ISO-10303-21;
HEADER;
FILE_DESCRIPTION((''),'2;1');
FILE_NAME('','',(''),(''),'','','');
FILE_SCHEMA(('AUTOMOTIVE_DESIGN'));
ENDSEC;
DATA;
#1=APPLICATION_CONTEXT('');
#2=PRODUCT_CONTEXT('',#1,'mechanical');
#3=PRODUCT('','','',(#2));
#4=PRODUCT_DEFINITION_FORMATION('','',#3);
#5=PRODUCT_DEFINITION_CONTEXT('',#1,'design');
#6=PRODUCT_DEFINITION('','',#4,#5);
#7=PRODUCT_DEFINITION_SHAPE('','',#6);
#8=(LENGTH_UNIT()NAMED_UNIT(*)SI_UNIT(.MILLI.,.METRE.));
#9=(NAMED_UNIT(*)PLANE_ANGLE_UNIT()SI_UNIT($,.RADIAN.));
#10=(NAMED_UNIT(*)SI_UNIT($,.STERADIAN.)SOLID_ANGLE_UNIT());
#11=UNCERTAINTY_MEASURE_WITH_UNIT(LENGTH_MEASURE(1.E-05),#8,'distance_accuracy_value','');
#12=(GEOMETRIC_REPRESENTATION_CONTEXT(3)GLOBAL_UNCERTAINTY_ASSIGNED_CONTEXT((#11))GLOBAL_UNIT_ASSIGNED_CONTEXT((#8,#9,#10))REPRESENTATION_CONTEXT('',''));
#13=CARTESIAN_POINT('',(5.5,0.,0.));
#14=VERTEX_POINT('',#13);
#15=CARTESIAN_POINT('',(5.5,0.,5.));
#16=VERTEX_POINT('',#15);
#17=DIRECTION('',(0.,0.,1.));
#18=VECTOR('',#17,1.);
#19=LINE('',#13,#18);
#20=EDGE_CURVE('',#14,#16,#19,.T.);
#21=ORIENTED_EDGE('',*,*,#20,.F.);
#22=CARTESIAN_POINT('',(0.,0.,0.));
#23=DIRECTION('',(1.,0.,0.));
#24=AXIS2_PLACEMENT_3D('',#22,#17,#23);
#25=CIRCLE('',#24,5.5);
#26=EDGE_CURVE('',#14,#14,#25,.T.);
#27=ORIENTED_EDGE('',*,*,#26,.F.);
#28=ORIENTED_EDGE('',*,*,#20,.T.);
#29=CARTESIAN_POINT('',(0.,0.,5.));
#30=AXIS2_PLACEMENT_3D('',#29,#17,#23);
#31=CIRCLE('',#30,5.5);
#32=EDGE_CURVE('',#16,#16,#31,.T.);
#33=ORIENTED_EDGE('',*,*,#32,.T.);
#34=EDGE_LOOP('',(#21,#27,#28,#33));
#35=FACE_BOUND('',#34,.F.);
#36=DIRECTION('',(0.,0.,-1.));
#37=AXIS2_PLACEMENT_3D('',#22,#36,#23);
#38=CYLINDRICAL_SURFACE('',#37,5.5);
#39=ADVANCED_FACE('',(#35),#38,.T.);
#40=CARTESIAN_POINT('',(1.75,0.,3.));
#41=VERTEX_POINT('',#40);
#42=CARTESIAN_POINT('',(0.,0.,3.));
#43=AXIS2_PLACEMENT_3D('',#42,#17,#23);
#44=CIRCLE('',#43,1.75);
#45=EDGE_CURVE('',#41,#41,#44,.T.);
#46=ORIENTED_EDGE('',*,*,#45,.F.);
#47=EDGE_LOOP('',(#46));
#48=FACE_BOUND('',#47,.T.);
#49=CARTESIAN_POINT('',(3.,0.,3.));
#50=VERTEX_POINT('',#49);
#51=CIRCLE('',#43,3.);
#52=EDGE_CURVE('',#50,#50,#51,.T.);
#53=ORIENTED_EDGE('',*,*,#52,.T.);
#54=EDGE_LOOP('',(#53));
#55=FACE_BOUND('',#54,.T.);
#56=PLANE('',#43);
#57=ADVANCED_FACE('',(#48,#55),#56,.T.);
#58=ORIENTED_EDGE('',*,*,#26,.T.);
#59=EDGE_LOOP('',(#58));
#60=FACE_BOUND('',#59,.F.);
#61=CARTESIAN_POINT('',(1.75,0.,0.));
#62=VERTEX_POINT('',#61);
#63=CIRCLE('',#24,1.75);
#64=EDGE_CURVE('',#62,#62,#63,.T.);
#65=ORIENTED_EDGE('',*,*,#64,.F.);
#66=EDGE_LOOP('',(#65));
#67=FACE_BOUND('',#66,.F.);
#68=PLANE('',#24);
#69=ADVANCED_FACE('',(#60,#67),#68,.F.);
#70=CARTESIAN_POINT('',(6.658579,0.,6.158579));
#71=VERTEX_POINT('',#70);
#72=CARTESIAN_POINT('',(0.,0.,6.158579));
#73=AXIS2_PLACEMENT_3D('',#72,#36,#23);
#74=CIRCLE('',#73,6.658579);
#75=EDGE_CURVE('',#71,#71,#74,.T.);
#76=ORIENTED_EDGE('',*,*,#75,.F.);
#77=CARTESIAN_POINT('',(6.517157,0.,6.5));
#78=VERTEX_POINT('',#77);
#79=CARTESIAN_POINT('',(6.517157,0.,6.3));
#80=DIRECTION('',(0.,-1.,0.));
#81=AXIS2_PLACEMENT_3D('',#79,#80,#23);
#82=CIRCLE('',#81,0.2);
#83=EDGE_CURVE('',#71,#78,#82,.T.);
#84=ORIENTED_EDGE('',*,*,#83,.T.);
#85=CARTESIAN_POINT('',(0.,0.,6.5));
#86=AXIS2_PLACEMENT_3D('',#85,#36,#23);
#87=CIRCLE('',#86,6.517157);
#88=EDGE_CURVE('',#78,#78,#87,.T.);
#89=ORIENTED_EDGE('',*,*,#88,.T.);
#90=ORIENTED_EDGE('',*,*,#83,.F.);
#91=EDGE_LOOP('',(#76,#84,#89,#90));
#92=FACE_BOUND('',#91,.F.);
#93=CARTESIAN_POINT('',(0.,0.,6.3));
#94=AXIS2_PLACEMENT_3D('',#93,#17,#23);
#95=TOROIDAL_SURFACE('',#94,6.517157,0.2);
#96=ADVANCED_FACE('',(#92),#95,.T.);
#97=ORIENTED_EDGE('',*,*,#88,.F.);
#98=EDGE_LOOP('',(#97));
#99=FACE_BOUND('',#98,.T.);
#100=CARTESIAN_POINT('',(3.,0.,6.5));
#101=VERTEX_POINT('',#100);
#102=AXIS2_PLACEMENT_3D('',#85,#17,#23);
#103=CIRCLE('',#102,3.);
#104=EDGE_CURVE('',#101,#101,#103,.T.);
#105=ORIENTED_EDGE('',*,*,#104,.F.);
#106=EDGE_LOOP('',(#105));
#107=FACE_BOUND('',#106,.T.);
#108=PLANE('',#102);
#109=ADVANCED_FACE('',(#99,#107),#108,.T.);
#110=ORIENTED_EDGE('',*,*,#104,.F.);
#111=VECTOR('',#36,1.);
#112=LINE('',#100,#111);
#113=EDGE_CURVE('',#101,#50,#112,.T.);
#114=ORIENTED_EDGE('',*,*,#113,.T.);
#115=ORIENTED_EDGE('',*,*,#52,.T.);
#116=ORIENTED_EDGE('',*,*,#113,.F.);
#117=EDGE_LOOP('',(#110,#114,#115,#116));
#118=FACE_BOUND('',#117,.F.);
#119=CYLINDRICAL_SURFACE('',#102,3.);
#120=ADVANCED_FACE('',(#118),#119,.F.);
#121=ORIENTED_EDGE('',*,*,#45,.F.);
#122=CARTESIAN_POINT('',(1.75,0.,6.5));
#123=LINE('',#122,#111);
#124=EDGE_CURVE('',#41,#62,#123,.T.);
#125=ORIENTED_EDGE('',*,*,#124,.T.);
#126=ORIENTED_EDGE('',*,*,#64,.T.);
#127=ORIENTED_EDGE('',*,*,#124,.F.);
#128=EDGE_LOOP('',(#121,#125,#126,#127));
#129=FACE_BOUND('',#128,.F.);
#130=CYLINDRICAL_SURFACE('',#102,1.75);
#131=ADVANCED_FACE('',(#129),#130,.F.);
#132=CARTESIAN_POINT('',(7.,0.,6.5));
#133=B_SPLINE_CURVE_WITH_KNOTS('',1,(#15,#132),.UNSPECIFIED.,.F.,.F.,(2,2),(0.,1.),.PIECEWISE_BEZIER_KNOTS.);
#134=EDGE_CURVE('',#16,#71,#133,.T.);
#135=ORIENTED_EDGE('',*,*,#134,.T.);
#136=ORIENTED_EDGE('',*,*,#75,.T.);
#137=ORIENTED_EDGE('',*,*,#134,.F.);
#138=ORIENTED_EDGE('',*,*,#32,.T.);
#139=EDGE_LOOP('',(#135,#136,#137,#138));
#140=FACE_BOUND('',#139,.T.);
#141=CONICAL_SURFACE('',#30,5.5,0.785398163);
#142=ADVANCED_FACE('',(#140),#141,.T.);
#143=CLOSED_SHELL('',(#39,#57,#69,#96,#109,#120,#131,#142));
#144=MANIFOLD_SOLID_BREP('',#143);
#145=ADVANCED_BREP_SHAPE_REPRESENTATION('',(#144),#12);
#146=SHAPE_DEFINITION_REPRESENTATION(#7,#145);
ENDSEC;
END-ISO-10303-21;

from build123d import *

# Parameters (mm, degrees)
F0_R      = 5.5
F1_DEPTH  = 5
F1_FACE_R = 5.5
F2_DEPTH  = 1.5
F2_TAPER  = -45
F3_R      = 0.2
F4_R      = 1.75
F5_DEPTH  = 6.501
F4_R_2    = 3
F6_DEPTH  = 3.5


with BuildPart() as f1:
    # F0 (on Top) → F1 (new body)
    with BuildSketch(Plane.XY):
        Circle(F0_R)
    extrude(amount=F1_DEPTH)

    # F1_face (on face) → F2 (join)
    with BuildSketch(Plane.XY.offset(5)):
        Circle(F1_FACE_R)
    extrude(amount=F2_DEPTH, taper=F2_TAPER)

    # F3
    f3_edges = [f1.edges().sort_by_distance(p)[0] for p in [
        (-7, 0, 6.5),
    ]]
    fillet(f3_edges, radius=F3_R)

    # F4 (on face) → F5 (cut, through all)
    with BuildSketch(Plane.XY.offset(6.5)):
        Circle(F4_R)
    extrude(amount=-F5_DEPTH, mode=Mode.SUBTRACT)

    # F4 (on face) → F6 (cut)
    with BuildSketch(Plane.XY.offset(6.5)):
        Circle(F4_R_2)
        Circle(F4_R, mode=Mode.SUBTRACT)
    extrude(amount=-F6_DEPTH, mode=Mode.SUBTRACT)


solid = f1.part
